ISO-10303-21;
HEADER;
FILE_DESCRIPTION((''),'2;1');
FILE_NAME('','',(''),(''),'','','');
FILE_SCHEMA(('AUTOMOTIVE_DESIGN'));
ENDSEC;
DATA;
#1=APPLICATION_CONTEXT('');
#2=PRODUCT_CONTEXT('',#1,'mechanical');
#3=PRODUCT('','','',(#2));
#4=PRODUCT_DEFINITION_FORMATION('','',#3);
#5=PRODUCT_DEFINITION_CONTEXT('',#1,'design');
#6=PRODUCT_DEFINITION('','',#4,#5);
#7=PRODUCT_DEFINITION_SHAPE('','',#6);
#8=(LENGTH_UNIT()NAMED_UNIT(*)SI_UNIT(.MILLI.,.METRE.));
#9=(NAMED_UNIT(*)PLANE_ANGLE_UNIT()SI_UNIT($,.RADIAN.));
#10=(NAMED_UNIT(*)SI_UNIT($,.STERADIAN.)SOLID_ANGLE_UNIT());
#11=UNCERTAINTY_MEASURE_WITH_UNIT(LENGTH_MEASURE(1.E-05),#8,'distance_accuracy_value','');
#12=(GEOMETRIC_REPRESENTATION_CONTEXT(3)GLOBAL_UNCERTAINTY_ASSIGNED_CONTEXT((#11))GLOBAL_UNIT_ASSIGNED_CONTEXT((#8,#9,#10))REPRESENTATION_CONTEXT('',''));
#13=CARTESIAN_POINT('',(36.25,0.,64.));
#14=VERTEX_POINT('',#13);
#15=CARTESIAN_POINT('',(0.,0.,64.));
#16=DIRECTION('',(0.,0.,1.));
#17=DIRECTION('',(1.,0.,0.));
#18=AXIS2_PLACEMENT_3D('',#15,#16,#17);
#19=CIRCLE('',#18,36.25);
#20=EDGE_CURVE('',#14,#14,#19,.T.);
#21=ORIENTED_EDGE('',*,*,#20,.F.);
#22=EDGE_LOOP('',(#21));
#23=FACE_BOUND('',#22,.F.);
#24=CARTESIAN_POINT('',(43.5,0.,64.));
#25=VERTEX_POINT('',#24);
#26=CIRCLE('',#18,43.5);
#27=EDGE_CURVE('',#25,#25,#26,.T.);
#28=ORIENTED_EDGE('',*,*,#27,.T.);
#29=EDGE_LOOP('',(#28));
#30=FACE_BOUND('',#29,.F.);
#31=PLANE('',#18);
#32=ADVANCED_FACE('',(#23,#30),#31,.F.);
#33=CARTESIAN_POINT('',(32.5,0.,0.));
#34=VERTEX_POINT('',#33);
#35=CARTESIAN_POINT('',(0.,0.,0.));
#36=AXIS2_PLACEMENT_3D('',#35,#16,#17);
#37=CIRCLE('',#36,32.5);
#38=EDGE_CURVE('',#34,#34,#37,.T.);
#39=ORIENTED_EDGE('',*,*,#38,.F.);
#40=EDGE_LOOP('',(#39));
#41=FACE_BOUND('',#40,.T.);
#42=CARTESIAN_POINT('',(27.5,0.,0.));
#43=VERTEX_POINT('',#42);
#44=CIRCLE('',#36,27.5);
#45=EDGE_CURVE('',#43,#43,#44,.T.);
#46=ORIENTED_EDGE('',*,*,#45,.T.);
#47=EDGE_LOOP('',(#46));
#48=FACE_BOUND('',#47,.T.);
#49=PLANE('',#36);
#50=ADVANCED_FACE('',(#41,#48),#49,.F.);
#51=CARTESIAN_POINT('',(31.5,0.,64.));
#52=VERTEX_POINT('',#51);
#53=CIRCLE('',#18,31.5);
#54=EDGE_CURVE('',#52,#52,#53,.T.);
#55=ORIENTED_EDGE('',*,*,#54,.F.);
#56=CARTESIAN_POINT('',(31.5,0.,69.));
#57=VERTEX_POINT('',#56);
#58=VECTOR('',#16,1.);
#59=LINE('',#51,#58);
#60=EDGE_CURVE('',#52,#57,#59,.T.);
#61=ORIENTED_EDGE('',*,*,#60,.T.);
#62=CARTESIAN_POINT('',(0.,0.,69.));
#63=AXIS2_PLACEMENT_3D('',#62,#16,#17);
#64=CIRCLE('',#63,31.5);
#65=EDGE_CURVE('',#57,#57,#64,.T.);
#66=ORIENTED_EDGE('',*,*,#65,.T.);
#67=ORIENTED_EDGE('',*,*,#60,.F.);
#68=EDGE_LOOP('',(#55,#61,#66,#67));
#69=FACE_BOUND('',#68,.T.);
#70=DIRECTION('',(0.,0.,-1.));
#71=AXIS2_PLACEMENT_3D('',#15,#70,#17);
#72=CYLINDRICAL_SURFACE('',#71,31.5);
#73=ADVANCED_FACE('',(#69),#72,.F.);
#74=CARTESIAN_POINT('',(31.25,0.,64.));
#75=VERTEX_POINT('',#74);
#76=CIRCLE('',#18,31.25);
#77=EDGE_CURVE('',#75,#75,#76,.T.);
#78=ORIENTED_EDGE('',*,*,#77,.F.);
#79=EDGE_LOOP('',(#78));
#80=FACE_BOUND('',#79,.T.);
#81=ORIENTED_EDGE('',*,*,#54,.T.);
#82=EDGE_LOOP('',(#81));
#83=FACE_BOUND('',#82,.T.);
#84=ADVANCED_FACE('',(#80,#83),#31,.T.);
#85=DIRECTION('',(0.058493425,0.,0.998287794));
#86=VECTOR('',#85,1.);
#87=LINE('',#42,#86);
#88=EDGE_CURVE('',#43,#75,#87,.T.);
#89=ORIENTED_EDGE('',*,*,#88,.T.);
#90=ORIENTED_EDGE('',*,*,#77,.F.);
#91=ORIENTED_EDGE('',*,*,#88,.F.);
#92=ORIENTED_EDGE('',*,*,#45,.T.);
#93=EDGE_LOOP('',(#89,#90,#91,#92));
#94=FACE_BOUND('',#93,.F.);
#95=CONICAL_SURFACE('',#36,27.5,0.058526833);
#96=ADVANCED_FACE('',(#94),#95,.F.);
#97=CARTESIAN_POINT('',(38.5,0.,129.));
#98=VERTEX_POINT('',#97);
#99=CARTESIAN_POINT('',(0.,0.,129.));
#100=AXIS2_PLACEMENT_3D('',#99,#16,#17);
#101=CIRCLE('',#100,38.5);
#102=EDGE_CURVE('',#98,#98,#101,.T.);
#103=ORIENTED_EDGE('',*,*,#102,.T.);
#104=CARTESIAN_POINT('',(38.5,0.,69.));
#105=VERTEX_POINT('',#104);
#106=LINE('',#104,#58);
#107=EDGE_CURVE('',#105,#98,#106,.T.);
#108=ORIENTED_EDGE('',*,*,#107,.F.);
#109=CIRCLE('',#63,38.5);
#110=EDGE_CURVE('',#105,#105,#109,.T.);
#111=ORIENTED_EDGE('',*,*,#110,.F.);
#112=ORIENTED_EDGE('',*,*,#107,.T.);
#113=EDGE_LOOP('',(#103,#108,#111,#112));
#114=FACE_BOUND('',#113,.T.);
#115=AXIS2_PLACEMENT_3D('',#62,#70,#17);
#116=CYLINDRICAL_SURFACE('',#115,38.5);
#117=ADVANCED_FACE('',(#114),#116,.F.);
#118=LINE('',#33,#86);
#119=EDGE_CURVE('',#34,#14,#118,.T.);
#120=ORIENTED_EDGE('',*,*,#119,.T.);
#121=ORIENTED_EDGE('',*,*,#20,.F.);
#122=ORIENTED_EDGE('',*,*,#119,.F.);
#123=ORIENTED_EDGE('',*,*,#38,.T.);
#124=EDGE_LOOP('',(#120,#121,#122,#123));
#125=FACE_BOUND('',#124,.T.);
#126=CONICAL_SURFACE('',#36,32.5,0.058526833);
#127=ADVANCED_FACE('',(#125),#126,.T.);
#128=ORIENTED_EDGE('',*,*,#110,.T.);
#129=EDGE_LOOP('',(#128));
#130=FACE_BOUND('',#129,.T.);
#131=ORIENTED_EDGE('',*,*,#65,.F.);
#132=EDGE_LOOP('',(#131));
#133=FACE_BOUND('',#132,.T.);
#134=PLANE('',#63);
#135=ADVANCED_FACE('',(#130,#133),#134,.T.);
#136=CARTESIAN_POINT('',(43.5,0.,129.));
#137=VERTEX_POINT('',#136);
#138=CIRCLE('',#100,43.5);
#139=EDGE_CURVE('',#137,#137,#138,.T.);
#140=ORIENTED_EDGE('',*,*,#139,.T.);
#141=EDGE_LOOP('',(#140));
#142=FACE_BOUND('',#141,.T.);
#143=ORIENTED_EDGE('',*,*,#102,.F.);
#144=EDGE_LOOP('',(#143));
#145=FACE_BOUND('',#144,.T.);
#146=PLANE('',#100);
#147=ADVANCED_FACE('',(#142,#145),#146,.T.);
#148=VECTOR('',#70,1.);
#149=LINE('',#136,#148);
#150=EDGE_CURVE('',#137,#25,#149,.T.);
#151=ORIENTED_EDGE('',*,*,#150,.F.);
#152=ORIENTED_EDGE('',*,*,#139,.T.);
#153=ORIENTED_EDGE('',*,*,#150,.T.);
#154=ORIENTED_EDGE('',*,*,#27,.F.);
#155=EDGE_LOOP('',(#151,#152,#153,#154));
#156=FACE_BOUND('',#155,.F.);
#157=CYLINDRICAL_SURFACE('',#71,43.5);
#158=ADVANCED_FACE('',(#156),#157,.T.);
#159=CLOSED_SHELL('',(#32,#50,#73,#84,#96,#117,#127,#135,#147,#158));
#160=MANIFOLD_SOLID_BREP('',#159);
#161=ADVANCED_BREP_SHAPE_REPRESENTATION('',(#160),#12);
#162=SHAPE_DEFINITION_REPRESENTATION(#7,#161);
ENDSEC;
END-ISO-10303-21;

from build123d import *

# Parameters (mm, degrees)
CYLINDER002_R     = 31.5
CYLINDER002_DEPTH = 5
CYLINDER003_R     = 43.5
CYLINDER003_DEPTH = 5
CYLINDER_R        = 38.5
CYLINDER_DEPTH    = 60
CYLINDER001_R     = 43.5
CYLINDER001_DEPTH = 60


with BuildPart() as interior_cono:
    # Cone → Cone (revolve)
    with BuildSketch(Plane.XZ):
        Polygon((0, 0), (27.5, 0), (31.25, 64), (0, 64), align=None)
    revolve(axis=Axis((0, 0, 0), (0, 0, 1)))


with BuildPart() as cono_inferior:
    # Cone001 → Cone001 (revolve)
    with BuildSketch(Plane.XZ):
        Polygon((0, 0), (32.5, 0), (36.25, 64), (0, 64), align=None)
    revolve(axis=Axis((0, 0, 0), (0, 0, 1)))

    # Cut001: cut Interior_cono
    add(interior_cono.part, mode=Mode.SUBTRACT)


with BuildPart() as interior_cilindor001:
    # Cylinder002 → Cylinder002 (new body)
    with BuildSketch(Plane.XY):
        Circle(CYLINDER002_R)
    extrude(amount=CYLINDER002_DEPTH)


with BuildPart() as anillo_union:
    # Cylinder003 → Cylinder003 (new body)
    with BuildSketch(Plane.XY):
        Circle(CYLINDER003_R)
    extrude(amount=CYLINDER003_DEPTH)

    # Cut002: cut Interior_cilindor001
    add(interior_cilindor001.part, mode=Mode.SUBTRACT)


with BuildPart() as anillo_union_1:
    # Cut002 placement: moved
    add(anillo_union.part.moved(Location((0, 0, 64))))


with BuildPart() as interior_cilindor:
    # Cylinder → Cylinder (new body)
    with BuildSketch(Plane.XY):
        Circle(CYLINDER_R)
    extrude(amount=CYLINDER_DEPTH)


with BuildPart() as parte:
    # Cylinder001 → Cylinder001 (new body)
    with BuildSketch(Plane.XY):
        Circle(CYLINDER001_R)
    extrude(amount=CYLINDER001_DEPTH)

    # Cut: cut Interior_cilindor
    add(interior_cilindor.part, mode=Mode.SUBTRACT)


with BuildPart() as parte_1:
    # Cut placement: moved
    add(parte.part.moved(Location((0, 0, 69))))

    # Fusion: union Cono_inferior, Anillo_Union
    add(cono_inferior.part)
    add(anillo_union_1.part)


solid = parte_1.part
